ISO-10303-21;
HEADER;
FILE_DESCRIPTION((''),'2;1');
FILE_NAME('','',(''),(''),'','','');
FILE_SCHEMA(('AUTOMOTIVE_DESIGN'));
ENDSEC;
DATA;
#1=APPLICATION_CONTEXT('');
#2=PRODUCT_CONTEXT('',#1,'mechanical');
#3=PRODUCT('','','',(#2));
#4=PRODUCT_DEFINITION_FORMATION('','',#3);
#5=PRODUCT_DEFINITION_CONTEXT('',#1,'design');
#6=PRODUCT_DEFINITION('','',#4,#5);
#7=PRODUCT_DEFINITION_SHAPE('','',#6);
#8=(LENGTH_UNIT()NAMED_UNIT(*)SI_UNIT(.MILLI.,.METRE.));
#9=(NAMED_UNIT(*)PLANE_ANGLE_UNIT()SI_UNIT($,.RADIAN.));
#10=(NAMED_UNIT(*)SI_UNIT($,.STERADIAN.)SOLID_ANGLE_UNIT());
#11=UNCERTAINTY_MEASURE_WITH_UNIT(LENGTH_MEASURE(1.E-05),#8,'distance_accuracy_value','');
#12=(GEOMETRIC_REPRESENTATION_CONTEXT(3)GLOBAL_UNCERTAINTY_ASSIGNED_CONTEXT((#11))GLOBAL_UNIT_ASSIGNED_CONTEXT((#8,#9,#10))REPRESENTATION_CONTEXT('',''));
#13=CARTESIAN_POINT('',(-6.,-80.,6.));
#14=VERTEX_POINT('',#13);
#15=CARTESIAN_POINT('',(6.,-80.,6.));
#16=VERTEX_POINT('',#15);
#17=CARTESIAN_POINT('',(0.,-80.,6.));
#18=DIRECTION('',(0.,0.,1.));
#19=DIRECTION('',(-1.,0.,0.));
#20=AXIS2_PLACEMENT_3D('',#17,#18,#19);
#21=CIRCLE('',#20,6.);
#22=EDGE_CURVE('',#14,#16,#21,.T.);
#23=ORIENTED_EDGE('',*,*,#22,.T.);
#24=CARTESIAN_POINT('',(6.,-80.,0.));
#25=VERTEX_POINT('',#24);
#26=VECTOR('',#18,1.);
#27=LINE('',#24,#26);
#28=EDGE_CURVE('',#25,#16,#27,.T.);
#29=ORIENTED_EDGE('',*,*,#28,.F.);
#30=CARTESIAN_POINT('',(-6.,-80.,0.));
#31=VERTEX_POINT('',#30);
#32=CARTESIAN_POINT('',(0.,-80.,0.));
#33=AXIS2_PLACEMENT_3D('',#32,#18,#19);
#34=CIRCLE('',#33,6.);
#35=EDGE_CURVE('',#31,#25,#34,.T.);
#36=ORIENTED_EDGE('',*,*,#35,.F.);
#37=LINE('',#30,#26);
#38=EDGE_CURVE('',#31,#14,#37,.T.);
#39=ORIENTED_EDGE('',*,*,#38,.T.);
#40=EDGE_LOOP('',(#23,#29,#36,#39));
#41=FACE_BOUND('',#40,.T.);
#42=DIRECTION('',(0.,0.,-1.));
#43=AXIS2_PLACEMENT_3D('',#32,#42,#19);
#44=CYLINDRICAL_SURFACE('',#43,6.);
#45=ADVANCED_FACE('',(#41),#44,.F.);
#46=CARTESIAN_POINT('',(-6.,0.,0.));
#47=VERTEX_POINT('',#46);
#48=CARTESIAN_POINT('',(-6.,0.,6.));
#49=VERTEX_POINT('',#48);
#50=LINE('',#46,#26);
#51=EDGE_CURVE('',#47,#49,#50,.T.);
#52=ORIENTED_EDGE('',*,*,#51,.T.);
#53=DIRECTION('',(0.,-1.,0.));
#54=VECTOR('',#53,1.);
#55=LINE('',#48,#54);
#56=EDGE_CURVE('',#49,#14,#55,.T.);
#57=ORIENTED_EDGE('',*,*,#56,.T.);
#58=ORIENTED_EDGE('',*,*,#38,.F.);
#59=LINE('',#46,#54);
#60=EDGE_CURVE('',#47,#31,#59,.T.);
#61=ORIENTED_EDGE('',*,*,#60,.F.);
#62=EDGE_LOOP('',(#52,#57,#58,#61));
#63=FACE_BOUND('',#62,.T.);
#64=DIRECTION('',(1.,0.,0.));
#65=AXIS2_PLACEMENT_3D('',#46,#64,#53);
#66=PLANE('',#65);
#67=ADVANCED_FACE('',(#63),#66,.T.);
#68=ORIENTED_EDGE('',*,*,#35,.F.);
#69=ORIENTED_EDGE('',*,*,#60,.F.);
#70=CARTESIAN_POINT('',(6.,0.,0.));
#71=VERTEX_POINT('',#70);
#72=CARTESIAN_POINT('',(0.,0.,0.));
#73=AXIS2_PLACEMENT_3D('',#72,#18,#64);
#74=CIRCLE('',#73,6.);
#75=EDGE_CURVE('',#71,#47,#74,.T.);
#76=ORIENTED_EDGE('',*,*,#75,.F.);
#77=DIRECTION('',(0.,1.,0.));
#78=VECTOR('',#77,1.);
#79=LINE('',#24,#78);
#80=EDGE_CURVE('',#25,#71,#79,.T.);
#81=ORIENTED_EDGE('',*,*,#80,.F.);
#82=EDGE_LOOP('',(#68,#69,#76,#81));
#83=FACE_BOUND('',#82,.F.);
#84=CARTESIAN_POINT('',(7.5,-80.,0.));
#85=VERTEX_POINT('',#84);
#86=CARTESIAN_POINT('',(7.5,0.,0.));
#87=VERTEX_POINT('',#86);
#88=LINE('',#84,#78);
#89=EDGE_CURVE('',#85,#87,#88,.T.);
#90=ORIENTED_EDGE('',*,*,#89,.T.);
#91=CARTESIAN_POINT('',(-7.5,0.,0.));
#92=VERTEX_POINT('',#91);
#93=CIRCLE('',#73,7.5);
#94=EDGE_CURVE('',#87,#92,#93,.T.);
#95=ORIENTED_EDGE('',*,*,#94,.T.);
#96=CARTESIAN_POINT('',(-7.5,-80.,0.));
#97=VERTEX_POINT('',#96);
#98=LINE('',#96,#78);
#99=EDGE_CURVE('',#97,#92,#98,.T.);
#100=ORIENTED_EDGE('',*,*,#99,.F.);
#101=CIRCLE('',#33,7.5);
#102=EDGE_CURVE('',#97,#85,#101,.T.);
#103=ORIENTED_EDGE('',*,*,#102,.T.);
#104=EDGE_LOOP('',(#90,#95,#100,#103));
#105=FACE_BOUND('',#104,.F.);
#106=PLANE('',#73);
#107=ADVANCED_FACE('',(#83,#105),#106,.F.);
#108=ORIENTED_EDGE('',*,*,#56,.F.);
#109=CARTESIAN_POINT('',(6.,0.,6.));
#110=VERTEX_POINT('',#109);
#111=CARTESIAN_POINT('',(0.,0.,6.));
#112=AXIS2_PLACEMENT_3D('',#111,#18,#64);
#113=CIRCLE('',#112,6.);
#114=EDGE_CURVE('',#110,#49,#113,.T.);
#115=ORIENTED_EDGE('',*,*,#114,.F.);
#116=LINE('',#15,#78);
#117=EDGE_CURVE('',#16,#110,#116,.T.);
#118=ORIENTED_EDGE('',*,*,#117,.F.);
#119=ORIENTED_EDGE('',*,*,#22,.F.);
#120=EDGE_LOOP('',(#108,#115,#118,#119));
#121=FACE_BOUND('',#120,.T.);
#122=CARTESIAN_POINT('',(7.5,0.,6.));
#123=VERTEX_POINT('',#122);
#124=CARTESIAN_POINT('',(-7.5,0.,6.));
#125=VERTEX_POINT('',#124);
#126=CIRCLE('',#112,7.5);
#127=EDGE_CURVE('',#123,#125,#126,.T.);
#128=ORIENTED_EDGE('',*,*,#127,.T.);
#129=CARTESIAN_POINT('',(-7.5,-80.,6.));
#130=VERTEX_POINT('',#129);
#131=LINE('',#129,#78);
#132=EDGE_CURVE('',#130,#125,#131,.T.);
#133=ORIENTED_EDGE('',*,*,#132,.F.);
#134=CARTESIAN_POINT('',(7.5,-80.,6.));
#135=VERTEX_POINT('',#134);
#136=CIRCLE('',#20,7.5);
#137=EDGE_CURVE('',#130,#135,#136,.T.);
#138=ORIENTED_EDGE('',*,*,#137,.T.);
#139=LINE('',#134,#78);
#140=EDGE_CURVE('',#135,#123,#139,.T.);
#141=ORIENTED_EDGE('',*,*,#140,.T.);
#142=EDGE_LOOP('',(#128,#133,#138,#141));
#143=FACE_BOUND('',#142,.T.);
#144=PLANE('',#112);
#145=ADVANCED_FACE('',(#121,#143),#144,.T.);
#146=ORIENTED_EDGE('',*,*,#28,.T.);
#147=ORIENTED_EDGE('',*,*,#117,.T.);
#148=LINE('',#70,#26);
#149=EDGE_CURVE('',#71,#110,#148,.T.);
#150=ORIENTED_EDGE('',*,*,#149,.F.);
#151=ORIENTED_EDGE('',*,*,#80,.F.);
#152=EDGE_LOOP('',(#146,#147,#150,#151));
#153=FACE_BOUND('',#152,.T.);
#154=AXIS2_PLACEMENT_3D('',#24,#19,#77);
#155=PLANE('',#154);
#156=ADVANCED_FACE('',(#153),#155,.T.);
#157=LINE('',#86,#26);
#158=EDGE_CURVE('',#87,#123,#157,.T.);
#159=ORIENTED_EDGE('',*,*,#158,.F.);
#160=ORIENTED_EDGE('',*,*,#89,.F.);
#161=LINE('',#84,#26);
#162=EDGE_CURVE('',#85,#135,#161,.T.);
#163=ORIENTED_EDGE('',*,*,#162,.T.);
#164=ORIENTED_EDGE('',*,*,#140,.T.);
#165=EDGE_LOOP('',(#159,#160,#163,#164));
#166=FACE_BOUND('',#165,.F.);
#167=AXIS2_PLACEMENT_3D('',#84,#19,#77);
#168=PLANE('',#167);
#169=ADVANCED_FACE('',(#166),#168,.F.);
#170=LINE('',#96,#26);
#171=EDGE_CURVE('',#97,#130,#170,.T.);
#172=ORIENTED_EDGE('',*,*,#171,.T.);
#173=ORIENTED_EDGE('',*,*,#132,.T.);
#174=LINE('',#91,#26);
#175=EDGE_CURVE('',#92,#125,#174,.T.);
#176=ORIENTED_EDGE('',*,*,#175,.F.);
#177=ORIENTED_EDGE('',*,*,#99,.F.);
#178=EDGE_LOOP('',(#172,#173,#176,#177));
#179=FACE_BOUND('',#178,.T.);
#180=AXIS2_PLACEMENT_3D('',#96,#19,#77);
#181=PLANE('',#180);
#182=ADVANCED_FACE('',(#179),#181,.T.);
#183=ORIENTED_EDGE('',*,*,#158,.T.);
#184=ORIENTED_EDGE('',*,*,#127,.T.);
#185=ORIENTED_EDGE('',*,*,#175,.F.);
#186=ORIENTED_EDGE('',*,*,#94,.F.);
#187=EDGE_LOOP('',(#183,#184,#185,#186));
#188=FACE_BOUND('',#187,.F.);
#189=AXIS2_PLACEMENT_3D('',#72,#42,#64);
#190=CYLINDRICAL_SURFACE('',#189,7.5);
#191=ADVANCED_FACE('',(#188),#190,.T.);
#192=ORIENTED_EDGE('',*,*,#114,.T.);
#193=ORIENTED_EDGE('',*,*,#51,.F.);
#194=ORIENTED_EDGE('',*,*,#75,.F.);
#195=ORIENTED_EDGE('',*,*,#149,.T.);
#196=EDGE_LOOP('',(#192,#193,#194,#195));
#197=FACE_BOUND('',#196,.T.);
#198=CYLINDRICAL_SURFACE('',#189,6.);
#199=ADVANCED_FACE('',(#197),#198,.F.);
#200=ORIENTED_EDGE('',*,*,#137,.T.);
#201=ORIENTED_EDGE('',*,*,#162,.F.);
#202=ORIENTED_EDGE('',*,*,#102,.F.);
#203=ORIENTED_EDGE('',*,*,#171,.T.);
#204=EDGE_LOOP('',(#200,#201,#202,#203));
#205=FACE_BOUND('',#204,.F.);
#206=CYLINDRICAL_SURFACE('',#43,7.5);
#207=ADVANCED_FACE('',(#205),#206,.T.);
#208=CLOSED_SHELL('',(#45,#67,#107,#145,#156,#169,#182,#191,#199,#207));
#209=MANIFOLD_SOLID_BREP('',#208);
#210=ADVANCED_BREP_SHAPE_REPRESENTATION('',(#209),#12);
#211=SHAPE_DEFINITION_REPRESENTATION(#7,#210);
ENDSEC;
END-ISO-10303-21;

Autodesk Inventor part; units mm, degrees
ref_plane "YZ Plane" through (0, 0, 0) normal (1, 0, 0) x (0, 1, 0)
ref_plane "XZ Plane" through (0, 0, 0) normal (0, 1, 0) x (-1, 0, 0)
ref_plane "XY Plane" through (0, 0, 0) normal (0, 0, 1) x (1, 0, 0)
sketch "Skizze1" plane through (0, 0, 0) normal (0, 0, 1) x (1, 0, 0)
  arc A0 (6, 0) -> (-6, 0) centre (0, 0) ccw
  arc A1 (7.5, 0) -> (-7.5, 0) centre (0, 0) ccw
  arc A2 (-6, -80) -> (6, -80) centre (0, -80) ccw
  line L0 (0, -80) -> (6, -80) construction
  line L1 (0, -80) -> (-6, -80) construction
  arc A3 (-7.5, -80) -> (7.5, -80) centre (0, -80) ccw
  line L2 (0, -80) -> (7.5, -80) construction
  line L3 (0, -80) -> (-7.5, -80) construction
  line L4 (-7.5, -80) -> (-7.5, 0)
  line L5 (-6, 0) -> (-6, -80)
  line L6 (6, -80) -> (6, 0)
  line L7 (7.5, -80) -> (7.5, 0)
  dimension "d0" = 6
  dimension "d1" = 7.5
  dimension "d2" = 6
  dimension "d3" = 180
  dimension "d4" = 7.5
  dimension "d5" = 180
  dimension "d6" = 80
  dimension "d7" = 0
extrude "Extrusion1" add sketch "Skizze1" along normal blind 6
properties part number "Y belt" material "Gummi, Silikon"
